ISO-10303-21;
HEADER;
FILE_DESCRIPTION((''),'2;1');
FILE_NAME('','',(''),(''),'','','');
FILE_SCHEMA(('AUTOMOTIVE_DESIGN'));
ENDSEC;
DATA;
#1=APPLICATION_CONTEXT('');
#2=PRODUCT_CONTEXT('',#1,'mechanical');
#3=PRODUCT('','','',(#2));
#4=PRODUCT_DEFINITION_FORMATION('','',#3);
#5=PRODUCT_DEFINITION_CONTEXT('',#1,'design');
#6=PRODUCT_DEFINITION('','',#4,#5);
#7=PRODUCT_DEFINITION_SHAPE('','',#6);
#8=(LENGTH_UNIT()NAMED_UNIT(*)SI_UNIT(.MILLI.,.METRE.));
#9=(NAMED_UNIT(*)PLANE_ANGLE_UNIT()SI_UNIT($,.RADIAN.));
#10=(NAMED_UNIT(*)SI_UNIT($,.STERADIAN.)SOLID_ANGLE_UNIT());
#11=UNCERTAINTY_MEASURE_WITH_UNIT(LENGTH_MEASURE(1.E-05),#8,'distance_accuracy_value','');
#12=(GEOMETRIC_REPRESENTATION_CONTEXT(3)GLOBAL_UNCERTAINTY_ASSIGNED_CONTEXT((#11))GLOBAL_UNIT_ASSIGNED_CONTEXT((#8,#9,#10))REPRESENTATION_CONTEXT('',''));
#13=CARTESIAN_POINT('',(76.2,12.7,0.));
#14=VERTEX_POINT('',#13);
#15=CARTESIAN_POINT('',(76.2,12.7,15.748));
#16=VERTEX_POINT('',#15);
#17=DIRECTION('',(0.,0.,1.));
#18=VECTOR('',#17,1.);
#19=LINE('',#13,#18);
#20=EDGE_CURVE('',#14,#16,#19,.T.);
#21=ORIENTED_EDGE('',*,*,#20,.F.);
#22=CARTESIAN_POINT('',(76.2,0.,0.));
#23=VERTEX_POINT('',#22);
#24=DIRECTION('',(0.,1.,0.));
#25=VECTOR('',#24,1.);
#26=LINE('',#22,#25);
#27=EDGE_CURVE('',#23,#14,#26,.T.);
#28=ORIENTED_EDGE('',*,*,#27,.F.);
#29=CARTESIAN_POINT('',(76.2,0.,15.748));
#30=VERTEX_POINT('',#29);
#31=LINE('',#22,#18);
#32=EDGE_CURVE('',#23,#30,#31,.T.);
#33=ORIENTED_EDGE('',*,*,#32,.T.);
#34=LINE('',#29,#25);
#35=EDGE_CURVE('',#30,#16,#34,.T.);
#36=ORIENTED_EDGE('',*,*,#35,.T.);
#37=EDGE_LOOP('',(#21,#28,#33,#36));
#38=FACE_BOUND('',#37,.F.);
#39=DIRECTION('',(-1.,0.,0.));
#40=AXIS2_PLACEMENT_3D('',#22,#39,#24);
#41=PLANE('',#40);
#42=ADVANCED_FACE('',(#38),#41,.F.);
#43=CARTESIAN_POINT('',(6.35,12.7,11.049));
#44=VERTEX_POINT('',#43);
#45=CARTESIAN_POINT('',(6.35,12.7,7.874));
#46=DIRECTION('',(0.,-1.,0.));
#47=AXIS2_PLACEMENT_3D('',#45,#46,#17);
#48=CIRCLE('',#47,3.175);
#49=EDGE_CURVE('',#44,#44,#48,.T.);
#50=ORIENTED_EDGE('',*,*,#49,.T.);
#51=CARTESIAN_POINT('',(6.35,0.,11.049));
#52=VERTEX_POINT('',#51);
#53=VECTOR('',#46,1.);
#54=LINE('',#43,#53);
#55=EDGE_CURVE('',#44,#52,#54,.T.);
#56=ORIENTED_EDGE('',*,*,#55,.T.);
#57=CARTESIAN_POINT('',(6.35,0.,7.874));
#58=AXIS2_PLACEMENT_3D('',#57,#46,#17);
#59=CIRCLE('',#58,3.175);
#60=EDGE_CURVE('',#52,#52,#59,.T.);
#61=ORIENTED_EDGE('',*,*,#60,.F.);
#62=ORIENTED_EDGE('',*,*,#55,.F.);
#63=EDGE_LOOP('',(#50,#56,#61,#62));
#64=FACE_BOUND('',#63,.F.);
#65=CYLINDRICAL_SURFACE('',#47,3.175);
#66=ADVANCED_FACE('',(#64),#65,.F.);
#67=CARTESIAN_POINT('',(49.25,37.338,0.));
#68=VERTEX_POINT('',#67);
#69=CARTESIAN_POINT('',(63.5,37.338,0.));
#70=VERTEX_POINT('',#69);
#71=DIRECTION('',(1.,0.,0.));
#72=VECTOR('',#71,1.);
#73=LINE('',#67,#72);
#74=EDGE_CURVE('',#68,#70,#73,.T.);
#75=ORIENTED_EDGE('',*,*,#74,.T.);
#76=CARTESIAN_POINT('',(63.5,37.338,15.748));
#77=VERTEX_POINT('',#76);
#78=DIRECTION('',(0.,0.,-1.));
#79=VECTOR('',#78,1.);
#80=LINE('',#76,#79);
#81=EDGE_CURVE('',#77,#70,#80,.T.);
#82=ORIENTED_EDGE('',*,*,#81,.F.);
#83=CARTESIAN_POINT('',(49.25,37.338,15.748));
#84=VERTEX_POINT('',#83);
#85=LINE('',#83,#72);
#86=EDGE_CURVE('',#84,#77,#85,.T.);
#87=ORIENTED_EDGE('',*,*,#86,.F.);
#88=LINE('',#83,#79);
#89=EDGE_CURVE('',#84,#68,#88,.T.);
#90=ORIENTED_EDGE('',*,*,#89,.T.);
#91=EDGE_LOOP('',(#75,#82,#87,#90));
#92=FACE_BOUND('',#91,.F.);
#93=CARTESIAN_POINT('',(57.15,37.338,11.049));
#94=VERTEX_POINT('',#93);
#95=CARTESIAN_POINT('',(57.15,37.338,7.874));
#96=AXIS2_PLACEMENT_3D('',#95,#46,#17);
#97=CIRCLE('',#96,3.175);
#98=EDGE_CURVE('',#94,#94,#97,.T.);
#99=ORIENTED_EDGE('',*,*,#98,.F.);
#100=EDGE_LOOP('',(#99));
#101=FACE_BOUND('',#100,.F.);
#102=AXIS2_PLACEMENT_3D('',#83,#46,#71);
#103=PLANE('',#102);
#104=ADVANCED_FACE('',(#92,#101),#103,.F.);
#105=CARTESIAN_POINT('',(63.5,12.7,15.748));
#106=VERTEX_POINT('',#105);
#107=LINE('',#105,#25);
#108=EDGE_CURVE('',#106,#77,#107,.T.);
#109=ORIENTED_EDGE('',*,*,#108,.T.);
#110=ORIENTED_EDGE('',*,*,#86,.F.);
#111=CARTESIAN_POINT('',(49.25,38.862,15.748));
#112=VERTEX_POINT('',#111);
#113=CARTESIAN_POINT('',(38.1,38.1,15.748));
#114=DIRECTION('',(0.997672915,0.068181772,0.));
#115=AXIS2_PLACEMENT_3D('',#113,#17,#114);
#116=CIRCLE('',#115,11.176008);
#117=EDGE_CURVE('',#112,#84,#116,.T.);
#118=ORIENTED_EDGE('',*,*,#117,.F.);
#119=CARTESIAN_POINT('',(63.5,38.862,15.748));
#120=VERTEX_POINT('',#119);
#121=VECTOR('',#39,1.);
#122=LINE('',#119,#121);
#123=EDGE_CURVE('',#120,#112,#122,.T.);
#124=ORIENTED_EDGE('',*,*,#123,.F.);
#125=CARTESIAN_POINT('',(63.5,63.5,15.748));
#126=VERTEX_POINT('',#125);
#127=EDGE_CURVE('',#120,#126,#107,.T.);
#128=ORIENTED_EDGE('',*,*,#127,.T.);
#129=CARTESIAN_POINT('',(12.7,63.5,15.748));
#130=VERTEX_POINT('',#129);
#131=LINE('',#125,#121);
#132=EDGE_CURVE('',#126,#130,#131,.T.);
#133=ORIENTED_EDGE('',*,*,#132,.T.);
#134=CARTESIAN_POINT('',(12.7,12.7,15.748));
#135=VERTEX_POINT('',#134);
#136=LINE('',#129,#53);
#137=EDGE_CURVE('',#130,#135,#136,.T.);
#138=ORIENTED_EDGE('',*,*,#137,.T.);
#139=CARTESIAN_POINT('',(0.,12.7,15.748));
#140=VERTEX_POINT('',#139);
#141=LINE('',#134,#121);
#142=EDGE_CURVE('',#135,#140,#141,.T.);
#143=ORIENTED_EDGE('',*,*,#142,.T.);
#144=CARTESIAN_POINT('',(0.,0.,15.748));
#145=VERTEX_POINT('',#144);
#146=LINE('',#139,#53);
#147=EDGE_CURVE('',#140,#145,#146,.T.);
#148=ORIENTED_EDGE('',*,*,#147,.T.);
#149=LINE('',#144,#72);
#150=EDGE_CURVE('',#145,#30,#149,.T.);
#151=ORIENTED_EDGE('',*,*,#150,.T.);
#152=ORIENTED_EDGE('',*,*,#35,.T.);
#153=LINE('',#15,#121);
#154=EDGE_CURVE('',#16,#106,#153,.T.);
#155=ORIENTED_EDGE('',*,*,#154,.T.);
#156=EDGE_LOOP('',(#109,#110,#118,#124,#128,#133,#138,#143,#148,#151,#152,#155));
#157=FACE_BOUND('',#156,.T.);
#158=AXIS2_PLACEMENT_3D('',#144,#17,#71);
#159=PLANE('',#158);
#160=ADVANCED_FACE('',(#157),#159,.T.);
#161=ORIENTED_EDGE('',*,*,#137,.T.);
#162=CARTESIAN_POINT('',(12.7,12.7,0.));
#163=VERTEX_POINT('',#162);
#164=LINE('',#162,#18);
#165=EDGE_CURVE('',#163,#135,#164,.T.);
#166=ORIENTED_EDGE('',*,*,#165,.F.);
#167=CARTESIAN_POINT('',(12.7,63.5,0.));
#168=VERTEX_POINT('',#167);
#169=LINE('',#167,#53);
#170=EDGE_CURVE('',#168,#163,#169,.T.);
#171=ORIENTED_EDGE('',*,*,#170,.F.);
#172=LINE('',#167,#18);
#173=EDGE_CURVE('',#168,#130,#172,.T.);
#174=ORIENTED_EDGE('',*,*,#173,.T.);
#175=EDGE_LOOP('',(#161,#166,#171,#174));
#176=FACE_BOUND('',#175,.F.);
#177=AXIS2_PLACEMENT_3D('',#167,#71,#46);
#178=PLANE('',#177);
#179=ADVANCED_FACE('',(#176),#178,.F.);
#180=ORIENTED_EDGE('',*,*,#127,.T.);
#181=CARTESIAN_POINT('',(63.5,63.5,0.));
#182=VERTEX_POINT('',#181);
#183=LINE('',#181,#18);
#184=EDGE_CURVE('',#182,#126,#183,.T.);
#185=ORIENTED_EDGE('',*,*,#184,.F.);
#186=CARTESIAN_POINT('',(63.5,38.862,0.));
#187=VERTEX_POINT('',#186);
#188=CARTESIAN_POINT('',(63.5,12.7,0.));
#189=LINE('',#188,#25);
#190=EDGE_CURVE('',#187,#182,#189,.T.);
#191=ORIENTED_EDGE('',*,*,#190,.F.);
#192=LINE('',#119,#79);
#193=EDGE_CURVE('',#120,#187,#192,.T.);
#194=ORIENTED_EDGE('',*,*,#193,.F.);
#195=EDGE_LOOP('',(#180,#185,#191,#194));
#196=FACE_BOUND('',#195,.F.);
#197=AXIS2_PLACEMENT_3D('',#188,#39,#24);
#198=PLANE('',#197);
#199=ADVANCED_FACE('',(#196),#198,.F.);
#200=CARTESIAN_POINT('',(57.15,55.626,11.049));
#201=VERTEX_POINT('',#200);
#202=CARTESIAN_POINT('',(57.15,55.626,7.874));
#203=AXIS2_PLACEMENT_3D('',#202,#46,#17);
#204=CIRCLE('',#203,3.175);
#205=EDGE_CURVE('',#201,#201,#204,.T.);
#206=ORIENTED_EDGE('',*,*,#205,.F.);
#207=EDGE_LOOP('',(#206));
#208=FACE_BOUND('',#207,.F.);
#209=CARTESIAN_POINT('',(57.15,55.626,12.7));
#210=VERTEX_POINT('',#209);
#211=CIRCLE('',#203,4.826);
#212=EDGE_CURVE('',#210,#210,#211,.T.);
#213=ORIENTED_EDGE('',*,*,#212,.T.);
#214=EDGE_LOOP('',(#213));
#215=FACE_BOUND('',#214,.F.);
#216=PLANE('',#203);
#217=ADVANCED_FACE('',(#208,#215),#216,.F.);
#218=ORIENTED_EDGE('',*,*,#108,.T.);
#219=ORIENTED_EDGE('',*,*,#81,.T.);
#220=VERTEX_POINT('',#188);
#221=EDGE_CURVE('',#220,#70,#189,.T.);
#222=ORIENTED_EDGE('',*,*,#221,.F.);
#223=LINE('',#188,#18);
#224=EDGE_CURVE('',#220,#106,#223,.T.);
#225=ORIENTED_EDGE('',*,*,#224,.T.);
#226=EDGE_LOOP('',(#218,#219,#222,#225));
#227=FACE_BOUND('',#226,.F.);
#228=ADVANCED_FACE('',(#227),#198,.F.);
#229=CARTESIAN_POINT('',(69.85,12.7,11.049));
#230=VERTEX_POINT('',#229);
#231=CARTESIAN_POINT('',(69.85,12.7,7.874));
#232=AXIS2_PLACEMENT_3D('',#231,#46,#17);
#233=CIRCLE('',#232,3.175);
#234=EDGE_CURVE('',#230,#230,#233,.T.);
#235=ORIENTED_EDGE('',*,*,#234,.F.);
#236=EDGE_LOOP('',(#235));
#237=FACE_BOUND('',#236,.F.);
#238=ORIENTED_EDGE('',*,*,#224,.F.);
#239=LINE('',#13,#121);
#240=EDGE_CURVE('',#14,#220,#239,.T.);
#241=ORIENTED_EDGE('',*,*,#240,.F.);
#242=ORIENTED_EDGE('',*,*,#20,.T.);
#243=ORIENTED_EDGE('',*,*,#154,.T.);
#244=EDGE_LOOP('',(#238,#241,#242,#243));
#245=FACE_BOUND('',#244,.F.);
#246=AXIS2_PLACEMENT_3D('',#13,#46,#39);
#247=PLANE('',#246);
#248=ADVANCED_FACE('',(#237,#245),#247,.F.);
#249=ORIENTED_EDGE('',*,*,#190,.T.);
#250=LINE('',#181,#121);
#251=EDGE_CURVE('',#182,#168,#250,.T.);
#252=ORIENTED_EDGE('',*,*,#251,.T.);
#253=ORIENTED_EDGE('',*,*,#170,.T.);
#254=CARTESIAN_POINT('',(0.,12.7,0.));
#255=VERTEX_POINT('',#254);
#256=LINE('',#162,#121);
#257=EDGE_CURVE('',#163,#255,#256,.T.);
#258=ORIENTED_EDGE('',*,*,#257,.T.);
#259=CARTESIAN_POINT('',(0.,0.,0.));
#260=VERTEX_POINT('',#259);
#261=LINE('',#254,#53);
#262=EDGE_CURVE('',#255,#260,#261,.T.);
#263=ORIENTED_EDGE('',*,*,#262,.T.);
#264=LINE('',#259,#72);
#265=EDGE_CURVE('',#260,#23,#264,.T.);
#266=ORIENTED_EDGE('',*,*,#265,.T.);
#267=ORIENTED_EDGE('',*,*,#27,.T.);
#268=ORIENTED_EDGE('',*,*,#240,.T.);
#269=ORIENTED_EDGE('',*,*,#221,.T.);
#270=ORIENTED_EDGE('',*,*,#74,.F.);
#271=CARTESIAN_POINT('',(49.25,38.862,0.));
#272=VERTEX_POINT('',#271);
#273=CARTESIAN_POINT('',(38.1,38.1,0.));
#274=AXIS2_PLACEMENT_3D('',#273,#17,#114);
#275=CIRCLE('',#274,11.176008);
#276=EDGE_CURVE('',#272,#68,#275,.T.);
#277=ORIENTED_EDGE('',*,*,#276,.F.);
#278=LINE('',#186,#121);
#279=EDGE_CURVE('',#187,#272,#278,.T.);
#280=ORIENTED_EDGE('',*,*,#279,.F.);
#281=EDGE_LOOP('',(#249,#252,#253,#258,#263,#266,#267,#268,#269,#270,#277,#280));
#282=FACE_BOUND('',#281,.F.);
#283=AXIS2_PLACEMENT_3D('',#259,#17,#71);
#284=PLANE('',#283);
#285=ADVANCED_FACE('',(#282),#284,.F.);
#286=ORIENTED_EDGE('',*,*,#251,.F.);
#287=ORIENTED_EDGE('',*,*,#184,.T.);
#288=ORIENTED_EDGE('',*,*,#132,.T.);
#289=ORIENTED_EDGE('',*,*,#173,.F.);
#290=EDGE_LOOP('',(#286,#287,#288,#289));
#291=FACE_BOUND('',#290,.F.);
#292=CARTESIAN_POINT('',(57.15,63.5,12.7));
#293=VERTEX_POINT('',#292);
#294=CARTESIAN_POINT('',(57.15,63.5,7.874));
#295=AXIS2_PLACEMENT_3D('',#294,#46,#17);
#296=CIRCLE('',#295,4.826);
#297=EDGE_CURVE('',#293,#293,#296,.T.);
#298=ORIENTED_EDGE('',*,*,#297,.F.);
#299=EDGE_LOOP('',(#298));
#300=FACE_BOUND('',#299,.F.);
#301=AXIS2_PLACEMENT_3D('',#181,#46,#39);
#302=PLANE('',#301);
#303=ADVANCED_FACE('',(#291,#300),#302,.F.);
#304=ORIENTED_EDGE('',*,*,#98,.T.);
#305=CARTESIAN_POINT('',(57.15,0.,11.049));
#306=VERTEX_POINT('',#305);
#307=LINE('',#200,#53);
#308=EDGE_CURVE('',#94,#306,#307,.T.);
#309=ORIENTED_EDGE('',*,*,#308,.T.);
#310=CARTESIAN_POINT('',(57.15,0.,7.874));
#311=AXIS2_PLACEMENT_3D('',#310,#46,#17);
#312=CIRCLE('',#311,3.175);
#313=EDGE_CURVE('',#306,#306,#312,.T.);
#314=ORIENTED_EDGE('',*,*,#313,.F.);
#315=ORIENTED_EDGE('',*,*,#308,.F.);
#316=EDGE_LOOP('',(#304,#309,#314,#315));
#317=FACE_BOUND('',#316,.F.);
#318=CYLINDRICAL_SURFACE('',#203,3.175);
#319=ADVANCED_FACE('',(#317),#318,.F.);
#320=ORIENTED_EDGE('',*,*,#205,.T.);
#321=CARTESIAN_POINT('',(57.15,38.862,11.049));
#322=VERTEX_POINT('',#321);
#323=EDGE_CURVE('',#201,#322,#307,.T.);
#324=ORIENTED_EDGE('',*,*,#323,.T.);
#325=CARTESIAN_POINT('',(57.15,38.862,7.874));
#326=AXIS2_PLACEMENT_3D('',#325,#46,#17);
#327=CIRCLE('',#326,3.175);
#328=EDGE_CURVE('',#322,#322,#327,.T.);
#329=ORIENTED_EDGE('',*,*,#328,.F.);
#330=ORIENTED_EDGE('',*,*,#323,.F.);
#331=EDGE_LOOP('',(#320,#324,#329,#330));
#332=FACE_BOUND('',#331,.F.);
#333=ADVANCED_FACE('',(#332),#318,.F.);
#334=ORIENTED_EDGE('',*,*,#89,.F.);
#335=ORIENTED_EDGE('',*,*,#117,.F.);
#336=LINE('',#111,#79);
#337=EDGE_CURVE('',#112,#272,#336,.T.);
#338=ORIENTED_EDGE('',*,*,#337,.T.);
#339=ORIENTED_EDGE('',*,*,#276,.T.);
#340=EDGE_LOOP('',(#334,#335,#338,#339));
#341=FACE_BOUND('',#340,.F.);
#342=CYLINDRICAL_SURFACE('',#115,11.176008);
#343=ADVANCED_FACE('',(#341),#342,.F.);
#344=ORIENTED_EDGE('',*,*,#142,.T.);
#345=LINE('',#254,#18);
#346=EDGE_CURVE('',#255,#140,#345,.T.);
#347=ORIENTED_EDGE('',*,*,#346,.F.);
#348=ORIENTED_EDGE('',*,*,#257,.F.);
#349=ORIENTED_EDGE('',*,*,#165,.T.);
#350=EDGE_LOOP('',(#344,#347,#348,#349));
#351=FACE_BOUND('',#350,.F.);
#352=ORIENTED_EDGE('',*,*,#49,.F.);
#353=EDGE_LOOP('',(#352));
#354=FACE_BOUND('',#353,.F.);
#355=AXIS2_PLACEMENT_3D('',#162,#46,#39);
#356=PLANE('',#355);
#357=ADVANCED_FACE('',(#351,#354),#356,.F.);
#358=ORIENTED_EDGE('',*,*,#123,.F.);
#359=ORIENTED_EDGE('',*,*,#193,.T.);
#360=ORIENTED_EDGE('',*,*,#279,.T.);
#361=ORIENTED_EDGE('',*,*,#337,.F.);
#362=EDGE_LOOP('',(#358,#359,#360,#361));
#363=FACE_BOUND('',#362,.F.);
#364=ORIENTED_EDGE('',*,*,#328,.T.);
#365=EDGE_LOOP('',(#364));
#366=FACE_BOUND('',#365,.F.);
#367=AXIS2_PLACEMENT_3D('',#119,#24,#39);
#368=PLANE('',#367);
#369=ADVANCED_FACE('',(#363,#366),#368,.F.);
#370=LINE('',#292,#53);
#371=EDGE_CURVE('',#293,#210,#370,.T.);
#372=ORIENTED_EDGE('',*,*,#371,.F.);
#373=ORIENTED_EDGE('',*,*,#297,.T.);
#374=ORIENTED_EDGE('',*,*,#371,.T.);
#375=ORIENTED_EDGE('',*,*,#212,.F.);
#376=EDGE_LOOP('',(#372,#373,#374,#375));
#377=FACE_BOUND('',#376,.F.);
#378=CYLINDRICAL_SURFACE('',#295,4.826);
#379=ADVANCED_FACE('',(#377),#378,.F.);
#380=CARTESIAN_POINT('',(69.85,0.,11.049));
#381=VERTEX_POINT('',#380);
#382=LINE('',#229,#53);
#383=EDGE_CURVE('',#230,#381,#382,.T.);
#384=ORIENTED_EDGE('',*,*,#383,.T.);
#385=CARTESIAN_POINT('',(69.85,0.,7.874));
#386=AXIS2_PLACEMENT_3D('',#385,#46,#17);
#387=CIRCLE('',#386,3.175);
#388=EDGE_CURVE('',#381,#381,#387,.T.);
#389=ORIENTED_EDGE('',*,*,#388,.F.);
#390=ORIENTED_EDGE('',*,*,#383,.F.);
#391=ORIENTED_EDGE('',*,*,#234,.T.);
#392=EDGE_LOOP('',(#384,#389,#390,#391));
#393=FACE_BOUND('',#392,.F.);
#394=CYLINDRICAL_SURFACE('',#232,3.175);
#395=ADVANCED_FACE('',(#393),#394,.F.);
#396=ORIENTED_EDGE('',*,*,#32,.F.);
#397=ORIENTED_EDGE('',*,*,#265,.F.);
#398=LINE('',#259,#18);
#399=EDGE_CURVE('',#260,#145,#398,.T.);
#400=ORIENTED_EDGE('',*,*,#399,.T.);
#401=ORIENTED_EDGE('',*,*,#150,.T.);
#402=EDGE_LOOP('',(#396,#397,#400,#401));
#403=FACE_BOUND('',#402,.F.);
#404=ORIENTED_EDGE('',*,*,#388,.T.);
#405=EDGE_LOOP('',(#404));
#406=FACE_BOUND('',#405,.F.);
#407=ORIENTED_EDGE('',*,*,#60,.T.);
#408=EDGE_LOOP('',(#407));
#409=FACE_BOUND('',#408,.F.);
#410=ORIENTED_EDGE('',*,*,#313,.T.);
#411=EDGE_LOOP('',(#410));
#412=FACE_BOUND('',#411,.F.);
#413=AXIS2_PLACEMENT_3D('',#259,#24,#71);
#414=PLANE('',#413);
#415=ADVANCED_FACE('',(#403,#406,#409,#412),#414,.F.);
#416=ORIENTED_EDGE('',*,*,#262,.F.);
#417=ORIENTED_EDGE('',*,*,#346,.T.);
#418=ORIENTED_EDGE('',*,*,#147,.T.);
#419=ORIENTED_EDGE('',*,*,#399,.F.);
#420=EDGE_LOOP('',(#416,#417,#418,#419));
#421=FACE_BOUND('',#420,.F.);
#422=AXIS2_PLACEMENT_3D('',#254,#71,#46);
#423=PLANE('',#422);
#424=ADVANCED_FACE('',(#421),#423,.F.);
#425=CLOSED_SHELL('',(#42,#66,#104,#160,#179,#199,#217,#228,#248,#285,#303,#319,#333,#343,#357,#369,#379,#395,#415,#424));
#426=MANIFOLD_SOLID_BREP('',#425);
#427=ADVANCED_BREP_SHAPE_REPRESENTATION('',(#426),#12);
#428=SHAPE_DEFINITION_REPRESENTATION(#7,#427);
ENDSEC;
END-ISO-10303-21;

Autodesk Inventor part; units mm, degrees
ref_plane "YZ Plane" through (0, 0, 0) normal (1, 0, 0) x (0, 1, 0)
ref_plane "XZ Plane" through (0, 0, 0) normal (0, 1, 0) x (-1, 0, 0)
ref_plane "XY Plane" through (0, 0, 0) normal (0, 0, 1) x (1, 0, 0)
sketch "Sketch1" plane through (0, 0, 0) normal (0, 0, 1) x (1, 0, 0)
  line L0 (0, 0) -> (76.2, 0)
  line L1 (76.2, 0) -> (76.2, 12.7)
  line L2 (76.2, 12.7) -> (63.5, 12.7)
  line L3 (63.5, 12.7) -> (63.5, 63.5)
  line L4 (63.5, 63.5) -> (12.7, 63.5)
  line L5 (12.7, 63.5) -> (12.7, 12.7)
  line L6 (12.7, 12.7) -> (0, 12.7)
  line L7 (0, 12.7) -> (0, 0)
  dimension "d0" = 12.7
  dimension "d1" = 12.7
  dimension "d2" = 76.2
  dimension "d3" = 50.8
  dimension "d4" = 12.7
extrude "Extrusion1" add sketch "Sketch1" along normal blind 15.748
sketch "Sketch2" plane through (0, 0, 15.748) normal (0, 0, 1) x (1, 0, 0)
  arc A0 (49.25, 38.862) -> (49.25, 37.338) centre (38.1, 38.1) ccw
  line L0 (12.7, 63.5) -> (12.7, 12.7) projected
  line L1 (63.5, 63.5) -> (12.7, 63.5) projected
  line L2 (63.5, 38.862) -> (49.25, 38.862)
  line L3 (49.25, 37.338) -> (63.5, 37.338)
  line L4 (63.5, 12.7) -> (63.5, 63.5) projected
  line L5 (63.5, 38.862) -> (63.5, 37.338)
  point P0 (0, 0)
  dimension "d7" = 22.352
  dimension "d8" = 25.4
  dimension "d9" = 25.4
  dimension "d10" = 1.524
  dimension "d11" = 24.638
extrude "Extrusion2" cut sketch "Sketch2" against normal blind 15.748
sketch "Sketch3" plane through (63.5, 12.7, 0) normal (0, 1, 0) x (1, 0, 0)
  line L0 (-50.8, -15.748) -> (-63.5, -15.748) projected
  line L1 (-63.5, 0) -> (-63.5, -15.748) projected
  line L2 (12.7, 0) -> (12.7, -15.748) projected
  line L3 (12.7, -15.748) -> (0, -15.748) projected
  point P0 (-57.15, -7.874)
  point P1 (6.35, -7.874)
  dimension "d14" = 7.874
  dimension "d15" = 6.35
  dimension "d16" = 6.35
  dimension "d17" = 7.874
hole "Hole1" at (6.35, 12.7, 7.874) at (69.85, 12.7, 7.874) direction (0, -1, 0) diameter 6.35 end through all
sketch "Sketch4" plane through (12.7, 63.5, 0) normal (0, 1, 0) x (1, 0, 0)
  line L0 (50.8, 0) -> (0, 0) projected
  line L1 (50.8, 0) -> (50.8, -15.748) projected
  point P0 (-12.7, 0)
  point P1 (44.45, -7.874)
  dimension "d25" = 7.874
  dimension "d26" = 6.35
hole "Hole2" at (57.15, 63.5, 7.874) direction (0, -1, 0) diameter 6.35 end through all counterbore diameter 9.652 counterbore depth 7.874
properties part number "Figure 6_16_W"
